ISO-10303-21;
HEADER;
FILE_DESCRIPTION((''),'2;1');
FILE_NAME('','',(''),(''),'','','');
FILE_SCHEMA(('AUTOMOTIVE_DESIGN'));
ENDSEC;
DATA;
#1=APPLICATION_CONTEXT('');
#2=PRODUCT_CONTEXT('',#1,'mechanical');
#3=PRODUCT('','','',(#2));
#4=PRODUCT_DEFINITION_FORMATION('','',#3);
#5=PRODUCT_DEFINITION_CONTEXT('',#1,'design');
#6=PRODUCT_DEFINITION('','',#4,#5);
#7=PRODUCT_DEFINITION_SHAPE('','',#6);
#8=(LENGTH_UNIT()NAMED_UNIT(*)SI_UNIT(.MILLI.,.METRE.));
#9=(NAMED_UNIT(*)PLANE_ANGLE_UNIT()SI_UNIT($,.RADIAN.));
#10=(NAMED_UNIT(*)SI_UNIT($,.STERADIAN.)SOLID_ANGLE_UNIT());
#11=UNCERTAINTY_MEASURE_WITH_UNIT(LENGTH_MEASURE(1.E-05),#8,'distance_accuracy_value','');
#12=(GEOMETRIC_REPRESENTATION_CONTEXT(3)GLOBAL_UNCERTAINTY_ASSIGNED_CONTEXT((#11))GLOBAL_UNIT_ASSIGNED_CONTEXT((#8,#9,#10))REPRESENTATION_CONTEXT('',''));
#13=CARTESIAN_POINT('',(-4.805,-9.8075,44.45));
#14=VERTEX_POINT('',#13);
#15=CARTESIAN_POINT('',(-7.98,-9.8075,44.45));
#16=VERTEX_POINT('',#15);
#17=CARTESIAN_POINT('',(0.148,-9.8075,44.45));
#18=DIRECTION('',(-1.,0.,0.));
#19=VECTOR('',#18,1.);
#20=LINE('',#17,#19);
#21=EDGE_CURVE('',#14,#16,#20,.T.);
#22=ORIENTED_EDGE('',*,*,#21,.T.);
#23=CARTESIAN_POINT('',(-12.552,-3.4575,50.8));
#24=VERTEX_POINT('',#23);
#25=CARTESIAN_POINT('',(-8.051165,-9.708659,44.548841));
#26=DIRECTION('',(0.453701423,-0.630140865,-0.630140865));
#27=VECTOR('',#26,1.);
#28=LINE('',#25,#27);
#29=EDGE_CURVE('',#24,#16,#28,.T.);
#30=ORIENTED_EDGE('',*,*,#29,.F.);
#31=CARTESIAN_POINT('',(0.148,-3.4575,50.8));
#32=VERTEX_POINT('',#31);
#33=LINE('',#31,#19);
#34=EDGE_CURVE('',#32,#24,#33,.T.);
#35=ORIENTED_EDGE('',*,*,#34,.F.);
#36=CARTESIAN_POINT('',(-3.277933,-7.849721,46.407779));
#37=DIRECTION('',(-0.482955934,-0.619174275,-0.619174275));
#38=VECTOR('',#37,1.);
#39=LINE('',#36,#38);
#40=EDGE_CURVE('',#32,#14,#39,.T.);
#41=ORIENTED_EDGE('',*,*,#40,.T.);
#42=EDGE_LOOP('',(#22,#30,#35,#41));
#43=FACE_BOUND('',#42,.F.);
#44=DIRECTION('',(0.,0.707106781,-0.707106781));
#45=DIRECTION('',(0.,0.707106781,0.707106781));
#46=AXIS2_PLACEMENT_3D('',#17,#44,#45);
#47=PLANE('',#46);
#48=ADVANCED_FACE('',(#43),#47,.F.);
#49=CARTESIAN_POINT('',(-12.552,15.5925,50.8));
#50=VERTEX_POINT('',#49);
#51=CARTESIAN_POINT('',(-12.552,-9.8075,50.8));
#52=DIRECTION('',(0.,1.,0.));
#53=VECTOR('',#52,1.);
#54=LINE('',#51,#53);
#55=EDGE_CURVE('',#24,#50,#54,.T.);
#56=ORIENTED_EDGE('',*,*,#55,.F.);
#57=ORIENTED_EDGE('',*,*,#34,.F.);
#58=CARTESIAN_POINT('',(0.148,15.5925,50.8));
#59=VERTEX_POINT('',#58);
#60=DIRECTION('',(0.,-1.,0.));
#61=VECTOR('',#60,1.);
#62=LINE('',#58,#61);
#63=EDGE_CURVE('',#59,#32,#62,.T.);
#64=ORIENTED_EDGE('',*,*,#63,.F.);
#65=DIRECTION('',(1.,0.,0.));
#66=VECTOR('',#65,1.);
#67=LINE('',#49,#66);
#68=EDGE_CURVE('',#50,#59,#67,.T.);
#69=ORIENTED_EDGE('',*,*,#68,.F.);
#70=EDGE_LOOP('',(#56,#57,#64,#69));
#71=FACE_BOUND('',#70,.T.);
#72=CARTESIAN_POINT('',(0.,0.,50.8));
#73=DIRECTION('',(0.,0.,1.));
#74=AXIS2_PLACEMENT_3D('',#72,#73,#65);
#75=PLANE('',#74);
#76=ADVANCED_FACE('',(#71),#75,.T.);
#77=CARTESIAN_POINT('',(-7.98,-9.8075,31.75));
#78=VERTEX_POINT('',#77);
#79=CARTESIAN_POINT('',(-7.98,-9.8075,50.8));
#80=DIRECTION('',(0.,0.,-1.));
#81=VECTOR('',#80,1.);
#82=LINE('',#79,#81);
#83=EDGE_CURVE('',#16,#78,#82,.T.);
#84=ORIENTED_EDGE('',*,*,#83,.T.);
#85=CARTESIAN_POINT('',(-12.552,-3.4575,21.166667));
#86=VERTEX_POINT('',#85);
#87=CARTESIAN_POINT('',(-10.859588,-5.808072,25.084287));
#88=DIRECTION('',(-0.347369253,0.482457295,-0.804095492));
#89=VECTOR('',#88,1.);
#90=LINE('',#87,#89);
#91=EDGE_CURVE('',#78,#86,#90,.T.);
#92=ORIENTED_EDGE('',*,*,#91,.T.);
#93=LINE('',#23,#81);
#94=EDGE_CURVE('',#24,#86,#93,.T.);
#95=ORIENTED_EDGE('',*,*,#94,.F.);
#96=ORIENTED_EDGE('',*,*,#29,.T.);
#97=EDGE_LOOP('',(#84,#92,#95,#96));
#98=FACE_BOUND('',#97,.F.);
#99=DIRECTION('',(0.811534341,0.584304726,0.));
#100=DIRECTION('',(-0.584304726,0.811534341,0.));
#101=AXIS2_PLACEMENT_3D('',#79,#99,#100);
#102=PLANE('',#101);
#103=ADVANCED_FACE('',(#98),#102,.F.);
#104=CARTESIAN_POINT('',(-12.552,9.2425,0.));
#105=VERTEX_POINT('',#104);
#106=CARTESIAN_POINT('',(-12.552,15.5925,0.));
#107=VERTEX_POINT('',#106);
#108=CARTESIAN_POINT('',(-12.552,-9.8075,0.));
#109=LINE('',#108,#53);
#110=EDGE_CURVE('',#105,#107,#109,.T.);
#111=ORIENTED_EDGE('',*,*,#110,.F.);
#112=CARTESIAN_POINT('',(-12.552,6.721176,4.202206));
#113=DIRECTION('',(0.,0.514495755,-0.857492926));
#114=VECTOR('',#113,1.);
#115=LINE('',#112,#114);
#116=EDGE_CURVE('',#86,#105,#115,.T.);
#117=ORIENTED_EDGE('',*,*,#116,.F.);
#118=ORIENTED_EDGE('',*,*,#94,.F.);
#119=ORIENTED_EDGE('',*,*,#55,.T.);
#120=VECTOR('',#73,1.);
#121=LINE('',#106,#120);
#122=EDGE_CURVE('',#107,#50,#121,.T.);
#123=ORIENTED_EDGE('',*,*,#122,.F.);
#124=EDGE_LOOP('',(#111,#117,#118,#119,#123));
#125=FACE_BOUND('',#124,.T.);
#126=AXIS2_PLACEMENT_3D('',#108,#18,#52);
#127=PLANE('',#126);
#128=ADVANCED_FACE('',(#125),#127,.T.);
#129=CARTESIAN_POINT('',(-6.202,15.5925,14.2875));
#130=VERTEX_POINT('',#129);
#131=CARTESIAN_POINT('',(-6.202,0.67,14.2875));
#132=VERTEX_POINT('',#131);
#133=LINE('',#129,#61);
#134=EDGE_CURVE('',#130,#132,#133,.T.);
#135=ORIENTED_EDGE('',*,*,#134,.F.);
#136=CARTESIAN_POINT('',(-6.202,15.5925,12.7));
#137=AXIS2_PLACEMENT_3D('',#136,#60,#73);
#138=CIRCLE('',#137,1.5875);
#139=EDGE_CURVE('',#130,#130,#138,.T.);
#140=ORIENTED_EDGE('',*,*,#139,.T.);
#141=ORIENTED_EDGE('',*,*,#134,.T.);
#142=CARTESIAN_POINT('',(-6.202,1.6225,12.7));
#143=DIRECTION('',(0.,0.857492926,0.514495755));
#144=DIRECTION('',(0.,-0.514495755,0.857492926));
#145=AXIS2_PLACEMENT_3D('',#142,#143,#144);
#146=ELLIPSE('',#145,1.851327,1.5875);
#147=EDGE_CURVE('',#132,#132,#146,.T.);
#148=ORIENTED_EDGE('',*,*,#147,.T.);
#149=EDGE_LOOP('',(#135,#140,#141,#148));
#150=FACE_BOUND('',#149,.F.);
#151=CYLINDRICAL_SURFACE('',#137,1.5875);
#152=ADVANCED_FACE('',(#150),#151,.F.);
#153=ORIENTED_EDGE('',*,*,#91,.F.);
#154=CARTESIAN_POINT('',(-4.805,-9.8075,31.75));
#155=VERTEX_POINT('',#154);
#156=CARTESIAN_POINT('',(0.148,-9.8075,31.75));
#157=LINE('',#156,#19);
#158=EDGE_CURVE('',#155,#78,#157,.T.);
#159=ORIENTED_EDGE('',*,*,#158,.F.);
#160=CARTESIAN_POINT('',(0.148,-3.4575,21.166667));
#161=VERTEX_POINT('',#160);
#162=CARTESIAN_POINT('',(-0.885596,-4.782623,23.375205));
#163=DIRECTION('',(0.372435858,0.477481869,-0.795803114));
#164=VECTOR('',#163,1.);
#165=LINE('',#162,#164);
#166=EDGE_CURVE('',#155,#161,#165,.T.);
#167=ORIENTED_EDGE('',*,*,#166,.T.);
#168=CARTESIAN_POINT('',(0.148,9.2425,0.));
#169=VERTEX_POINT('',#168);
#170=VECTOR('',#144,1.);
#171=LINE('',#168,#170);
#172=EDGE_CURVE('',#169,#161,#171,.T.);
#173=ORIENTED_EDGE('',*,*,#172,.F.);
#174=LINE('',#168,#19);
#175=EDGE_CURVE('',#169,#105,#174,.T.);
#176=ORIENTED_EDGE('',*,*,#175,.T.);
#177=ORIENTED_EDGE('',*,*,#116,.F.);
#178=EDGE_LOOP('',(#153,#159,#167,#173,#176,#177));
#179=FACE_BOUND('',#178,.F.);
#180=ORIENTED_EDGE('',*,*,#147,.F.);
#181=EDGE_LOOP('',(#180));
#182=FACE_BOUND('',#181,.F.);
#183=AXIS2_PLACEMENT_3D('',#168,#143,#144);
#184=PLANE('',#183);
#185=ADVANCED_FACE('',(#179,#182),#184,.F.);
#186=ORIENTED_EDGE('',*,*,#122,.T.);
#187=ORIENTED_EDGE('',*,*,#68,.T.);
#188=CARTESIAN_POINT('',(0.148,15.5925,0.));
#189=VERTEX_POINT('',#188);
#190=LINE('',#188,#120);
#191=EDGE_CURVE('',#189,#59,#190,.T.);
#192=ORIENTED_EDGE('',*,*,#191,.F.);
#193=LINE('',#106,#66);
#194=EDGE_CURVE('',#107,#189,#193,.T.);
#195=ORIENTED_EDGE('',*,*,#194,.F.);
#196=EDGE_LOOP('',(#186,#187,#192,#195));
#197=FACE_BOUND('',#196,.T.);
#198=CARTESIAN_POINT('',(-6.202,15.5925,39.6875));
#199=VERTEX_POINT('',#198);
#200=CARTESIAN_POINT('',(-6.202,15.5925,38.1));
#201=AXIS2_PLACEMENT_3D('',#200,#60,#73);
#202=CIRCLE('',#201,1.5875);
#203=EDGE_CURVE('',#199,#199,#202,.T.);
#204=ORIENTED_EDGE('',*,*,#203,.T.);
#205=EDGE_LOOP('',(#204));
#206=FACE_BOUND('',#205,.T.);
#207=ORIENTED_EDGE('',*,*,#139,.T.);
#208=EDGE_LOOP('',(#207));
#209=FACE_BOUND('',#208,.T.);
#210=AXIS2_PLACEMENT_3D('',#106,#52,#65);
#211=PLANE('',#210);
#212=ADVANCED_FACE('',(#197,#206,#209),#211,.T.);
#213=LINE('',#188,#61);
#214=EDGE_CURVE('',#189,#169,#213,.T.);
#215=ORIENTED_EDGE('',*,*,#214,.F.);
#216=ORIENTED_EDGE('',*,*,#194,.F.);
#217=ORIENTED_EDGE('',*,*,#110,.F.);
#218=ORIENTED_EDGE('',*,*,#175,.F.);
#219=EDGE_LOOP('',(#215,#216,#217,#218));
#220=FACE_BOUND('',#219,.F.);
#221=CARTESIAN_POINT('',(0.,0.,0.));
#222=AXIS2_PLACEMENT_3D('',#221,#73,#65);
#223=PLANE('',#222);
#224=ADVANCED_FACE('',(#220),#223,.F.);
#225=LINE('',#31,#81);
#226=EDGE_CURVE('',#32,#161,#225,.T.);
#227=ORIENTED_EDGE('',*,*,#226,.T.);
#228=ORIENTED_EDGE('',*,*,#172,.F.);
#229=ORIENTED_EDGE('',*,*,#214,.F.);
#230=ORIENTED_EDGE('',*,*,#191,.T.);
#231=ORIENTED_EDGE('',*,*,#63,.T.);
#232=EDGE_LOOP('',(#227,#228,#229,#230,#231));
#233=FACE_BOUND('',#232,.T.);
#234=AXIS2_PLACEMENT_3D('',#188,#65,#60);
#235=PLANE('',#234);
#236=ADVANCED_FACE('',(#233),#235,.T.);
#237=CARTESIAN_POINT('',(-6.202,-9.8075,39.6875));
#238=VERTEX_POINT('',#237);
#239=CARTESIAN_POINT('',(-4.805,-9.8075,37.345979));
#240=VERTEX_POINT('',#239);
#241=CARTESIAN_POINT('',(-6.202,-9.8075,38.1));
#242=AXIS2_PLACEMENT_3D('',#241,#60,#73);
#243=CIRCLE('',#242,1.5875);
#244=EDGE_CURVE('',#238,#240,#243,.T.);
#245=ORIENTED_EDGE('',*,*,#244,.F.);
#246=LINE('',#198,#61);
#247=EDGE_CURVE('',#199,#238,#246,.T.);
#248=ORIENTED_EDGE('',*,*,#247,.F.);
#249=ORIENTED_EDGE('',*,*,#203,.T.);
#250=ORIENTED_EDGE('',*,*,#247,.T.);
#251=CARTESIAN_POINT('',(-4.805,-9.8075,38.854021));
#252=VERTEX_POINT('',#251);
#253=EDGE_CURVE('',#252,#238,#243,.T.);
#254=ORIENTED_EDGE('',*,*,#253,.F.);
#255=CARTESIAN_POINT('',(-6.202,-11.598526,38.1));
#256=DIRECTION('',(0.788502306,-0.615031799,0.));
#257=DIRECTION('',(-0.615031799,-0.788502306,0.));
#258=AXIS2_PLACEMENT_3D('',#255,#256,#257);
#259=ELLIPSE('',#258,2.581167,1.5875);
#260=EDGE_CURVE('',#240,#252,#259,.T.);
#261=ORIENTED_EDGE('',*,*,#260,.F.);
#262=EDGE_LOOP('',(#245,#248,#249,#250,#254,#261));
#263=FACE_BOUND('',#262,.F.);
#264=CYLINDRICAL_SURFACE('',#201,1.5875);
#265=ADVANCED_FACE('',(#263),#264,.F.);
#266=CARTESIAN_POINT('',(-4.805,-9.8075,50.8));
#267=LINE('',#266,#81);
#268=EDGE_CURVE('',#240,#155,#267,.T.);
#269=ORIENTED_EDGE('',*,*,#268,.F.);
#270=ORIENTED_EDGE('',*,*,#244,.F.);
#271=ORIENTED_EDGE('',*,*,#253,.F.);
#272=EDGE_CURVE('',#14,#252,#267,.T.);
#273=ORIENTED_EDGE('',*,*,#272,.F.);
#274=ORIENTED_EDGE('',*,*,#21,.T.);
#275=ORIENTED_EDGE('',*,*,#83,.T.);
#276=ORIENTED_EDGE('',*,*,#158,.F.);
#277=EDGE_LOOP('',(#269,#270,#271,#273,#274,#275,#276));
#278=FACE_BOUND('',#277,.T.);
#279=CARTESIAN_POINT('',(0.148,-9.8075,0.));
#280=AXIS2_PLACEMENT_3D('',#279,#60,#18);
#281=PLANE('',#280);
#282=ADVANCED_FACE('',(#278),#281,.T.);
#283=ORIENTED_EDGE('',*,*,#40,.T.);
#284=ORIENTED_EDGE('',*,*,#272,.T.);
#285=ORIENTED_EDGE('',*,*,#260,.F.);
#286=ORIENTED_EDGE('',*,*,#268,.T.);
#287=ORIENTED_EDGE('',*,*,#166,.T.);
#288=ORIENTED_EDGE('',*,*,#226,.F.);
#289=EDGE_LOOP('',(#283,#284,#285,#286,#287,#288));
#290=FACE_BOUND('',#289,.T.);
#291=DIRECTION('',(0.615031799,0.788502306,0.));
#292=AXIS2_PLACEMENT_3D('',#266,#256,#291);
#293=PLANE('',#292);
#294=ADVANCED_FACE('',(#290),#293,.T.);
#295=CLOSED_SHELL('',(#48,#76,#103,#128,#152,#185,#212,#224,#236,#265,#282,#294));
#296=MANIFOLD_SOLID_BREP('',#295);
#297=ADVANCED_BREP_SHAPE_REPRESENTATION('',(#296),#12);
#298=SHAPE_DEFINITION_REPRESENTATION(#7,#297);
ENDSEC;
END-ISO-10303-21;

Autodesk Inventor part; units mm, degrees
ref_plane "YZ Plane" through (0, 0, 0) normal (1, 0, 0) x (0, 1, 0)
ref_plane "XZ Plane" through (0, 0, 0) normal (0, 1, 0) x (-1, 0, 0)
ref_plane "XY Plane" through (0, 0, 0) normal (0, 0, 1) x (1, 0, 0)
sketch "Sketch1" plane through (0, 0, 0) normal (0, 0, 1) x (1, 0, 0)
  line L0 (-12.552, 15.5925) -> (0.148, 15.5925)
  line L1 (0.148, 15.5925) -> (0.148, -9.8075)
  line L2 (0.148, -9.8075) -> (-12.552, -9.8075)
  line L3 (-12.552, -9.8075) -> (-12.552, 15.5925)
  point P0 (0, 0)
  dimension "d0" = 12.7
  dimension "d1" = 25.4
extrude "Extrusion1" add sketch "Sketch1" along normal blind 50.8
sketch "Sketch2" plane through (-12.552, 15.5925, 0) normal (0, 1, 0) x (1, 0, 0)
  line L0 (12.7, -50.8) -> (0, -50.8) projected
  line L1 (12.7, 0) -> (12.7, -50.8) projected
  point P0 (12.552, 0)
  point P1 (6.35, -38.1)
  point P2 (6.35, -12.7)
  dimension "d4" = 25.4
  dimension "d5" = 12.7
  dimension "d6" = 0
  dimension "d7" = 6.35
hole "Hole1" at (-6.202, 15.5925, 38.1) at (-6.202, 15.5925, 12.7) direction (0, -1, 0) diameter 3.175 end through all
sketch "Sketch3" plane through (0.148, -9.8075, 0) normal (1, 0, 0) x (0, 0, -1)
  line L0 (0, 0) -> (-50.8, 0) projected
  line L1 (0, 25.4) -> (-50.8, 25.4) projected
  line L2 (-50.8, 25.4) -> (0, 25.4)
  line L3 (0, 19.05) -> (-31.75, 0)
  line L4 (-31.75, 0) -> (-44.45, 0)
  line L5 (0, 0) -> (-50.8, 0) projected
  line L6 (-44.45, 0) -> (-50.8, 6.35)
  line L7 (-50.8, 0) -> (-44.3921, -0.0579)
  line L8 (-31.75, 0) -> (0, 0)
  line L9 (0, 19.05) -> (0, 0)
  line L10 (-50.8, 25.4) -> (-50.8, 0) projected
  line L11 (-50.8, 6.35) -> (-50.8, 0)
  point P0 (0, 9.8075)
  dimension "d18" = 12.7
  dimension "d19" = 19.05
  dimension "d20" = 6.35
extrude "Extrusion2" cut sketch "Sketch3" against normal blind 50.8
sketch "Sketch4" plane through (0, 0, 50.8) normal (0, 0, 1) x (1, 0, 0)
  line L0 (0.148, -9.8075) -> (-12.552, -9.8075) projected
  line L1 (-12.552, -9.8075) -> (-12.552, -3.4575) projected
  line L2 (0.148, -3.4575) -> (0.148, -9.8075) projected
  line L3 (-12.552, -3.4575) -> (0.148, -3.4575) projected
  line L4 (-12.552, -9.8075) -> (0.148, -9.8075) projected
  line L5 (-7.98, -9.8075) -> (-12.552, -9.8075)
  line L6 (-12.552, -9.8075) -> (-12.552, -3.4575)
  line L7 (-7.98, -9.8075) -> (-12.552, -3.4575)
  line L8 (0.148, -9.8075) -> (-4.805, -9.8075)
  line L9 (-4.805, -9.8075) -> (0.148, -3.4575)
  line L10 (0.148, -9.8075) -> (0.148, 9.2425) projected
  line L11 (0.148, -3.4575) -> (0.148, -9.8075)
  point P0 (0, 0)
  dimension "d23" = 3.175
  dimension "d24" = 4.572
  dimension "d25" = 4.953
extrude "Extrusion3" cut sketch "Sketch4" against normal blind 50.8 contours L0 L9 L2 | L0 L1 L7
properties part number "Slider"
